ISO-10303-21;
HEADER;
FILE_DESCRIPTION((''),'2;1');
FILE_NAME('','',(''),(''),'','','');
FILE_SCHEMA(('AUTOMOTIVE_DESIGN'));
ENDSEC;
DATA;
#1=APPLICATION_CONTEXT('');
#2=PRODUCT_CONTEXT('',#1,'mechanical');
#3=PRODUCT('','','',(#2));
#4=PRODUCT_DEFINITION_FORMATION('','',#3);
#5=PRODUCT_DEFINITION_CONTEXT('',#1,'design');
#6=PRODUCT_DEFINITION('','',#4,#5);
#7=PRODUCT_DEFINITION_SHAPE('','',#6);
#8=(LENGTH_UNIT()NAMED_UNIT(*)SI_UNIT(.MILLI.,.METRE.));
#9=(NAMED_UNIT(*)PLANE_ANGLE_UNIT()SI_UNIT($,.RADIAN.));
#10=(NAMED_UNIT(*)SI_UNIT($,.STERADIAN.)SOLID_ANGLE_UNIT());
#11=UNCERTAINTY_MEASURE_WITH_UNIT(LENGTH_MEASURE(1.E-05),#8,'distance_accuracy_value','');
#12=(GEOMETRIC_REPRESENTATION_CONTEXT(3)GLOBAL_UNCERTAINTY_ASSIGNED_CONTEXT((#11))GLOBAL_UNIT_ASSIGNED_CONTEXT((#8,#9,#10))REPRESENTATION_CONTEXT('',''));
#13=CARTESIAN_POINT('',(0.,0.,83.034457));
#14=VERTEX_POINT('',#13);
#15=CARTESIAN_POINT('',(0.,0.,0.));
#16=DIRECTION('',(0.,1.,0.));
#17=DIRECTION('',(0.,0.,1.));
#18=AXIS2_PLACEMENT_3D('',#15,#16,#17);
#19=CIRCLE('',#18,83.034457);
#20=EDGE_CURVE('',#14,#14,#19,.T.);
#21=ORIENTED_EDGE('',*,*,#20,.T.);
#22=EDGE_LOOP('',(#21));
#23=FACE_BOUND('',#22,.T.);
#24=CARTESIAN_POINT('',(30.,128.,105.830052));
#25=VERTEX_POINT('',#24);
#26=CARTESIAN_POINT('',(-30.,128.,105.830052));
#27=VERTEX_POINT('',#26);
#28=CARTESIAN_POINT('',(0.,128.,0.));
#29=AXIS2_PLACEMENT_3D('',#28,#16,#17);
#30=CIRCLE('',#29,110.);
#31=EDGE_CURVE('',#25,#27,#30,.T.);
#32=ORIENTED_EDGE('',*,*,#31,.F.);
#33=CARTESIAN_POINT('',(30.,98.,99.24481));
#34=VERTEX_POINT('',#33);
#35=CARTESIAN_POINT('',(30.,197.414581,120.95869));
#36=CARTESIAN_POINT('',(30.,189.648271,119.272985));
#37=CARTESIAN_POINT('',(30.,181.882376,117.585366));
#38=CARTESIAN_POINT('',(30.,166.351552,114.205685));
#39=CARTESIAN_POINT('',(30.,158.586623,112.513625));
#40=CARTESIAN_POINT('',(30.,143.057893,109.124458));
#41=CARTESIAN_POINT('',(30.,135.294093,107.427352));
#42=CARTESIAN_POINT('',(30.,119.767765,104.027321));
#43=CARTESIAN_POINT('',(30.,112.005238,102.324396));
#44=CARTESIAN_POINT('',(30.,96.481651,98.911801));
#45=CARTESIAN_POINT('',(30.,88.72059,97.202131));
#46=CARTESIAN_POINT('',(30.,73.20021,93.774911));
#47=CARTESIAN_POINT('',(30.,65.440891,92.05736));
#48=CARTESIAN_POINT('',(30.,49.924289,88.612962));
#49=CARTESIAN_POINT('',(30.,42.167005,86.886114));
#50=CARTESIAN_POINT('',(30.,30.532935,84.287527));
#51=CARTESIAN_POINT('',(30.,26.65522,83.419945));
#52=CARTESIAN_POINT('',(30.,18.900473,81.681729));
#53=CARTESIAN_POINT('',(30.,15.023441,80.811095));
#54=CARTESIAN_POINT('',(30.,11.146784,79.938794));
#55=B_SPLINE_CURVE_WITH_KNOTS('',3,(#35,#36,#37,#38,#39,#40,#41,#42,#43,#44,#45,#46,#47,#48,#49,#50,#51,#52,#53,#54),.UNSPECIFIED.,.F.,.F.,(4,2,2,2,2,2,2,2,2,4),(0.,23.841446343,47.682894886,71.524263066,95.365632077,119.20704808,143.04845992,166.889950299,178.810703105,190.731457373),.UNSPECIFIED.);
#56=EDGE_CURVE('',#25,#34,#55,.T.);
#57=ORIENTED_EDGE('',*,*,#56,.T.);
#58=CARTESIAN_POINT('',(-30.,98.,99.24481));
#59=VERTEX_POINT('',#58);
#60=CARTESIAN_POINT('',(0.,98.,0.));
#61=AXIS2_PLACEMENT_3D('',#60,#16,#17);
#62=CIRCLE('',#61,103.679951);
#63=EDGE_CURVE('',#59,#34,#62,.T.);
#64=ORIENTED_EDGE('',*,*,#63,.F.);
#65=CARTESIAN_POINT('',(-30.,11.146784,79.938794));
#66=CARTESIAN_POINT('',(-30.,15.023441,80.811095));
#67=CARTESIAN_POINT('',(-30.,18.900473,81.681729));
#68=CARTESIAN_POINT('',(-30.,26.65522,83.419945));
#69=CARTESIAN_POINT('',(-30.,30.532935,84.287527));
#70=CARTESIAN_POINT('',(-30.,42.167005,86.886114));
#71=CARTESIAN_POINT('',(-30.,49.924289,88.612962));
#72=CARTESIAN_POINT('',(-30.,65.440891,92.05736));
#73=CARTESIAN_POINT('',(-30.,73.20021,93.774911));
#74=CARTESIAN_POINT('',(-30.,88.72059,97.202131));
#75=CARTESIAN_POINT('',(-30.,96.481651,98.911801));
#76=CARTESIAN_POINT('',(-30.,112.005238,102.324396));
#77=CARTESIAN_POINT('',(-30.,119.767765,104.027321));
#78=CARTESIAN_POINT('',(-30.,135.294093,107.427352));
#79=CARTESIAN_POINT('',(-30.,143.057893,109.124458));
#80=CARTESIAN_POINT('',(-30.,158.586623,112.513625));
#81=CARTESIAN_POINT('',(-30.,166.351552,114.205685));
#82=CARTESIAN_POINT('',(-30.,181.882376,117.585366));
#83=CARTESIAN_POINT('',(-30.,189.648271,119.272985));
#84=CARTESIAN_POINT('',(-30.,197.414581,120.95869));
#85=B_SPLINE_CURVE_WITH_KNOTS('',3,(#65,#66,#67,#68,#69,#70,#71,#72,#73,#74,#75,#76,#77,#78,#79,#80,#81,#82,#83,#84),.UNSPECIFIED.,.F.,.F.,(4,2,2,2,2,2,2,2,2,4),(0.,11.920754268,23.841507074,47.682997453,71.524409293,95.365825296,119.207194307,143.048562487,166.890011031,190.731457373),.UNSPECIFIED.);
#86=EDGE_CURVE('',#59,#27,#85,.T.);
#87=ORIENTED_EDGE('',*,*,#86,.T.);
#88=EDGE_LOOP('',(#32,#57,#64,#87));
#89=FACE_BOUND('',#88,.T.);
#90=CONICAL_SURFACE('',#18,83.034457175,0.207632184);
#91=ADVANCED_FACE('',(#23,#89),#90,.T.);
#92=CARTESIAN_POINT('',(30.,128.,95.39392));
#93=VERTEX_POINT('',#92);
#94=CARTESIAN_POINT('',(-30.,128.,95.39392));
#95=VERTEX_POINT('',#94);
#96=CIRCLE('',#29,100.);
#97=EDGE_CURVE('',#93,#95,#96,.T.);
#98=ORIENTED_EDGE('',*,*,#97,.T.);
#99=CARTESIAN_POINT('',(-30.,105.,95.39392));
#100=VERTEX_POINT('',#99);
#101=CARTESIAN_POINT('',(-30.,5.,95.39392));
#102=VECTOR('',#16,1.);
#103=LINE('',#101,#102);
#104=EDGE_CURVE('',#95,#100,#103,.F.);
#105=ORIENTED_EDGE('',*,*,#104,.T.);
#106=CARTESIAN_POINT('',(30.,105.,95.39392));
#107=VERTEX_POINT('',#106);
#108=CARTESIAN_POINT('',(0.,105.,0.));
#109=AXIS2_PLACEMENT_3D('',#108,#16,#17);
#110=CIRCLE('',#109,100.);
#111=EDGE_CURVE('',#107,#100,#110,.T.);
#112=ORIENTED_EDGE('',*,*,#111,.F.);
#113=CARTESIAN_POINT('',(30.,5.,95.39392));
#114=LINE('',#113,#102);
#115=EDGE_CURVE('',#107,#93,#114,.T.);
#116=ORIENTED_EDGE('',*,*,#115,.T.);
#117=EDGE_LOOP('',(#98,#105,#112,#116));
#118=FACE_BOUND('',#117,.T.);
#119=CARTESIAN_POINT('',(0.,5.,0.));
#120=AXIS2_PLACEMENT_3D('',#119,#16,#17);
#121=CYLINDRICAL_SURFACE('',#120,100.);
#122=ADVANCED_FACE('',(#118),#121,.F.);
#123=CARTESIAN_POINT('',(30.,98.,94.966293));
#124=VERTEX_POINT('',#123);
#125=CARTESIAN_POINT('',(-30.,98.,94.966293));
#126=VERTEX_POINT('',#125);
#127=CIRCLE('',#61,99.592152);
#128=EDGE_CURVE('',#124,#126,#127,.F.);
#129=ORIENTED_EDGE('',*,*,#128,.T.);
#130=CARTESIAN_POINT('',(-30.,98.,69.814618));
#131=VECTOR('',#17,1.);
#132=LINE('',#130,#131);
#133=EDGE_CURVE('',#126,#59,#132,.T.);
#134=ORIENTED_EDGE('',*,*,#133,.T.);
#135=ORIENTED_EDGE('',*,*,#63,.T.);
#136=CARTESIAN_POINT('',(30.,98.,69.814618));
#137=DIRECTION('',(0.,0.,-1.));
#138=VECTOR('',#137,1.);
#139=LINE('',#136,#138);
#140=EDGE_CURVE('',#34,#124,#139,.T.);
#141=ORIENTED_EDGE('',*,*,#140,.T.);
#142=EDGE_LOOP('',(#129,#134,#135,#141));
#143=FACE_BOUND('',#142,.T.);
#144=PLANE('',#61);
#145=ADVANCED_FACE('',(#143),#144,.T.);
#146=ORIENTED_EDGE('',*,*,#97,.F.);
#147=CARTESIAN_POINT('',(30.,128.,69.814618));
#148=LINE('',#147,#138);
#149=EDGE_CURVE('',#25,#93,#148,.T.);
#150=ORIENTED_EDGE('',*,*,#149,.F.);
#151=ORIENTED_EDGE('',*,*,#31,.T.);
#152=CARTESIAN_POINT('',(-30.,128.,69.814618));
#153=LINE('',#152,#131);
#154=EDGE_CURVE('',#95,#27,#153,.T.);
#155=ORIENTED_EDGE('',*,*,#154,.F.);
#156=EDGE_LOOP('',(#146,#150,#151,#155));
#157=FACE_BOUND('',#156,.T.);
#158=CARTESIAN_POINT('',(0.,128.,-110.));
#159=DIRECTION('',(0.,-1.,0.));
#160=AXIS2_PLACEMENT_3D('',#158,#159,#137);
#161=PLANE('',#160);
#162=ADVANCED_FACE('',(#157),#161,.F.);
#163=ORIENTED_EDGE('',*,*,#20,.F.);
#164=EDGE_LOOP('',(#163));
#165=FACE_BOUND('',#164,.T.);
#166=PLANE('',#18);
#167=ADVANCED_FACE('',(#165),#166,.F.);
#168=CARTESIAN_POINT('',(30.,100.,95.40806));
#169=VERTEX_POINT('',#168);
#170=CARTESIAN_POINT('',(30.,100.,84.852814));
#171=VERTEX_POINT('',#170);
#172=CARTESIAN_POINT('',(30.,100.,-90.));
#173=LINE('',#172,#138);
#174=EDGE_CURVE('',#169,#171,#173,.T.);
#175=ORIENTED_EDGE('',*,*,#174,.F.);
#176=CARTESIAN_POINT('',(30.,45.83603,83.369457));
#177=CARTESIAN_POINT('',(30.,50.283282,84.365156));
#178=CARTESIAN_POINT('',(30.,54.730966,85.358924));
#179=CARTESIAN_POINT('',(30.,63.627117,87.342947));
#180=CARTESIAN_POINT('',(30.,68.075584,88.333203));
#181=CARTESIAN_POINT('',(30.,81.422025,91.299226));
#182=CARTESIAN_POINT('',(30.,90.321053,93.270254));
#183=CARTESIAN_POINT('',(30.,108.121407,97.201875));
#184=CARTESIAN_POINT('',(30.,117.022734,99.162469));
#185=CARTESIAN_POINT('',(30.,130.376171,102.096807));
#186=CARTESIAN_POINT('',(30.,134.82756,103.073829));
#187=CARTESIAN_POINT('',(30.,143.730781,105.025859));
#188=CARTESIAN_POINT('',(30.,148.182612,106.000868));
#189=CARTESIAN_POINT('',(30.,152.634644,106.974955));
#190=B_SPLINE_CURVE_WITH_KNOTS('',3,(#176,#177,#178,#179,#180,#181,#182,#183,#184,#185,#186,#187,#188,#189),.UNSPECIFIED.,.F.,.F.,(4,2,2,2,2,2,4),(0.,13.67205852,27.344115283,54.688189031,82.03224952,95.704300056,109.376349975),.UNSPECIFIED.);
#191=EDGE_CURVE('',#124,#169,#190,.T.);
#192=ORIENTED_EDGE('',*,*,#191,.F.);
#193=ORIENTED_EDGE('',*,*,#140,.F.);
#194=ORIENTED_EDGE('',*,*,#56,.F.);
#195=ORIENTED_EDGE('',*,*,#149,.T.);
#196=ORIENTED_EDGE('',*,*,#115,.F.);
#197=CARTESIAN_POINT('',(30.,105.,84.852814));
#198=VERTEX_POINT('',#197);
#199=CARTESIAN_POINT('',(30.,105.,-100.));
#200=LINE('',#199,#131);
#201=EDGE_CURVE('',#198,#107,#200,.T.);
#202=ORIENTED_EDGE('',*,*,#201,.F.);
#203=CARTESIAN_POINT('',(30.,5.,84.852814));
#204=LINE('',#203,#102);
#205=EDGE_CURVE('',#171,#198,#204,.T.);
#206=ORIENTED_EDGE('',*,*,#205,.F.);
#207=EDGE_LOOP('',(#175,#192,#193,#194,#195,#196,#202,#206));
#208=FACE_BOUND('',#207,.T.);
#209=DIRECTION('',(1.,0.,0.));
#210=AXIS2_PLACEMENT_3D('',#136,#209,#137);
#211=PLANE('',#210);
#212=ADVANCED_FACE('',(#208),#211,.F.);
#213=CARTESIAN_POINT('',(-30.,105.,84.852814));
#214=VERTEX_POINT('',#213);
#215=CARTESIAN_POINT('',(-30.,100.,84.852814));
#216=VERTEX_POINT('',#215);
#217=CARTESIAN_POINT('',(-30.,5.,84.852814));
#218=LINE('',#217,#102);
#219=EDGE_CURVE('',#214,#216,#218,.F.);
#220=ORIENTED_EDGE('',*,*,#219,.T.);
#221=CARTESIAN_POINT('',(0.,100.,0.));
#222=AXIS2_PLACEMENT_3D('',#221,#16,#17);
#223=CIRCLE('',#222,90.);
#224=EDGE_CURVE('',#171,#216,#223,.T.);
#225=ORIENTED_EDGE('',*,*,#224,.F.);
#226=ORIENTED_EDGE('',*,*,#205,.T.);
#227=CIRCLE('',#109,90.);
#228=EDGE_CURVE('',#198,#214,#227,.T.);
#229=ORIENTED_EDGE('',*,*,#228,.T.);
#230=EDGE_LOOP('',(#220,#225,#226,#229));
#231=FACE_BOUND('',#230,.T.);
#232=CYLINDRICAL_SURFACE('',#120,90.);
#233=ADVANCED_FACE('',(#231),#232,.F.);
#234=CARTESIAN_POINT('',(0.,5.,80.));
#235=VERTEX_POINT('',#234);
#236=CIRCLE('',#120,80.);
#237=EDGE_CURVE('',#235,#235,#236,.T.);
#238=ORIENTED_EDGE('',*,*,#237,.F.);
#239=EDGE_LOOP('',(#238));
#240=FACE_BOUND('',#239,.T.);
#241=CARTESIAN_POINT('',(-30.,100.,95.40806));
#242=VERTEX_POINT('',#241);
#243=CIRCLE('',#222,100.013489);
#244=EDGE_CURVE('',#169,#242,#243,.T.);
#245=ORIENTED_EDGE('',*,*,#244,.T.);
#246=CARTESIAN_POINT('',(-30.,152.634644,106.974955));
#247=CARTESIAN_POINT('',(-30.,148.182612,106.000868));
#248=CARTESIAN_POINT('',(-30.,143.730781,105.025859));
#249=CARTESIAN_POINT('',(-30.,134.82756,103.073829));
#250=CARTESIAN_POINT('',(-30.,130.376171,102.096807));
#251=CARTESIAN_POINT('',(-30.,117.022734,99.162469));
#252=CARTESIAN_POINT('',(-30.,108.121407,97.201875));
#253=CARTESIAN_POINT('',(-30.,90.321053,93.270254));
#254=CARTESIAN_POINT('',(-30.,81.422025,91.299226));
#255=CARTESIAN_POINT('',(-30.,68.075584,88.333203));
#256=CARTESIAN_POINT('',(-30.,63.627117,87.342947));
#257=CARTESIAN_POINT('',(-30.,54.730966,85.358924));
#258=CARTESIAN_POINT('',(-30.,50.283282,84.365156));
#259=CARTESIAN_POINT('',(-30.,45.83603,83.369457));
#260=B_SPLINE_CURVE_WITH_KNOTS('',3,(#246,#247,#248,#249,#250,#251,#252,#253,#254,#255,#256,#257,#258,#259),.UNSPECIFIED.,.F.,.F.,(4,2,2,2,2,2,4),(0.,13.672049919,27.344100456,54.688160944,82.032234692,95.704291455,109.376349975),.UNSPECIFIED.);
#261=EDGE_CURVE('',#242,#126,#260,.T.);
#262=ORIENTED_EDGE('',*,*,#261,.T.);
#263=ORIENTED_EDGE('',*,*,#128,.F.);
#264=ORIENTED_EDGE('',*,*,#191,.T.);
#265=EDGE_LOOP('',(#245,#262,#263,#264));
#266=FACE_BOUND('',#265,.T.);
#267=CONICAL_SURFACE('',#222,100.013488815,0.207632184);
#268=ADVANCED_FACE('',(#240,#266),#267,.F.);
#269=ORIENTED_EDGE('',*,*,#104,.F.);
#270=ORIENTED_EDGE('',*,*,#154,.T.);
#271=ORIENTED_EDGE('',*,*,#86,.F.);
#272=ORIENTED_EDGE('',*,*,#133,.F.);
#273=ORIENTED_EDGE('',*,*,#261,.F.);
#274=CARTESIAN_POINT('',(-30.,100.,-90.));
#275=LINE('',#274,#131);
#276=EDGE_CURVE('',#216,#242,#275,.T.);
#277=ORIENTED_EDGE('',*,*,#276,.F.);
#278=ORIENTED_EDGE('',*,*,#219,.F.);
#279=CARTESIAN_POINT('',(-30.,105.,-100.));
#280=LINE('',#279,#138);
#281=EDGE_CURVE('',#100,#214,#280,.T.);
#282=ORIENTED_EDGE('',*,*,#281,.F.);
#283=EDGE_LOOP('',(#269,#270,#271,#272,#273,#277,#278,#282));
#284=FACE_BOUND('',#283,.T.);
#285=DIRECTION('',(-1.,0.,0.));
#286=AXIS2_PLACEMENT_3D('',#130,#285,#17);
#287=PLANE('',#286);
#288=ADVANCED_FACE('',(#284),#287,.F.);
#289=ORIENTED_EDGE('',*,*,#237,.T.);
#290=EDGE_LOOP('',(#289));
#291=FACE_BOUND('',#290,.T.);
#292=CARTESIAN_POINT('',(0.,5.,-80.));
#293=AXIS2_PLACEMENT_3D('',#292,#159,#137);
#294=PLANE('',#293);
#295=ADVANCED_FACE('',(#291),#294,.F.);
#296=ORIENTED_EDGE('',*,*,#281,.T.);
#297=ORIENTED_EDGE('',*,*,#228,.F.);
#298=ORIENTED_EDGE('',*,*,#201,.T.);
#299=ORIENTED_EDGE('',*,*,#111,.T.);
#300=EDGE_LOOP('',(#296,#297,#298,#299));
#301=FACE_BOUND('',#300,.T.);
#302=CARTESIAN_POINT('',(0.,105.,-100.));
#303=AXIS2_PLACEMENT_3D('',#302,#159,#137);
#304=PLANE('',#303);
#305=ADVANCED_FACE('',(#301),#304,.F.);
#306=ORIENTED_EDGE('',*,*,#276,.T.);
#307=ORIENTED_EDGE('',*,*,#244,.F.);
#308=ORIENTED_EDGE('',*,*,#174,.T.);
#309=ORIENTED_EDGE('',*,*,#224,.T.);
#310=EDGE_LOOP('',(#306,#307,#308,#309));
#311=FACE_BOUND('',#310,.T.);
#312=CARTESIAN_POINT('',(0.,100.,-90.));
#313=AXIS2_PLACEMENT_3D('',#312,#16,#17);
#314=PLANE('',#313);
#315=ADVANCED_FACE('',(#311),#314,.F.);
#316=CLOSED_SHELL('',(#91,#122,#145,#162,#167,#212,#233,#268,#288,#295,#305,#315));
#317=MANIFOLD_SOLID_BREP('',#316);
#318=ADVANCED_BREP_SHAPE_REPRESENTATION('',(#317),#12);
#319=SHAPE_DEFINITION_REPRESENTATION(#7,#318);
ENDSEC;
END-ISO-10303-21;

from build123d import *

# Parameters (mm, degrees)
SKETCH_2_W          = 60
SKETCH_2_H          = 57.613168724
CUT_EXTRUDE_1_DEPTH = 30


with BuildPart() as part:
    # 草圖1 → 旋轉1 (revolve)
    with BuildSketch(Plane(origin=(0, 0, 0), x_dir=(0, 0, -1), z_dir=(1, 0, 0)), mode=Mode.PRIVATE) as revolve_1_sk:
        Polygon((0, 0), (83.034457175, 0), (110, 128), (100, 128), (100, 105), (90, 105), (90, 100), (100.013488815, 100), (80, 5), (0, 5), align=None)
    revolve(revolve_1_sk.sketch.rotate(Axis((0, 5, 0), (0, -1, 0)), 180), axis=Axis((0, 5, 0), (0, -1, 0)))

    # 草圖2 → 除料-伸長1 (cut)
    with BuildSketch(Plane(origin=(0, 128, 0), x_dir=(1, 0, 0), z_dir=(0, 1, 0))):
        with Locations((0, -98.621202087)):
            Rectangle(SKETCH_2_W, SKETCH_2_H)
    extrude(amount=-CUT_EXTRUDE_1_DEPTH, mode=Mode.SUBTRACT)


solid = part.part
